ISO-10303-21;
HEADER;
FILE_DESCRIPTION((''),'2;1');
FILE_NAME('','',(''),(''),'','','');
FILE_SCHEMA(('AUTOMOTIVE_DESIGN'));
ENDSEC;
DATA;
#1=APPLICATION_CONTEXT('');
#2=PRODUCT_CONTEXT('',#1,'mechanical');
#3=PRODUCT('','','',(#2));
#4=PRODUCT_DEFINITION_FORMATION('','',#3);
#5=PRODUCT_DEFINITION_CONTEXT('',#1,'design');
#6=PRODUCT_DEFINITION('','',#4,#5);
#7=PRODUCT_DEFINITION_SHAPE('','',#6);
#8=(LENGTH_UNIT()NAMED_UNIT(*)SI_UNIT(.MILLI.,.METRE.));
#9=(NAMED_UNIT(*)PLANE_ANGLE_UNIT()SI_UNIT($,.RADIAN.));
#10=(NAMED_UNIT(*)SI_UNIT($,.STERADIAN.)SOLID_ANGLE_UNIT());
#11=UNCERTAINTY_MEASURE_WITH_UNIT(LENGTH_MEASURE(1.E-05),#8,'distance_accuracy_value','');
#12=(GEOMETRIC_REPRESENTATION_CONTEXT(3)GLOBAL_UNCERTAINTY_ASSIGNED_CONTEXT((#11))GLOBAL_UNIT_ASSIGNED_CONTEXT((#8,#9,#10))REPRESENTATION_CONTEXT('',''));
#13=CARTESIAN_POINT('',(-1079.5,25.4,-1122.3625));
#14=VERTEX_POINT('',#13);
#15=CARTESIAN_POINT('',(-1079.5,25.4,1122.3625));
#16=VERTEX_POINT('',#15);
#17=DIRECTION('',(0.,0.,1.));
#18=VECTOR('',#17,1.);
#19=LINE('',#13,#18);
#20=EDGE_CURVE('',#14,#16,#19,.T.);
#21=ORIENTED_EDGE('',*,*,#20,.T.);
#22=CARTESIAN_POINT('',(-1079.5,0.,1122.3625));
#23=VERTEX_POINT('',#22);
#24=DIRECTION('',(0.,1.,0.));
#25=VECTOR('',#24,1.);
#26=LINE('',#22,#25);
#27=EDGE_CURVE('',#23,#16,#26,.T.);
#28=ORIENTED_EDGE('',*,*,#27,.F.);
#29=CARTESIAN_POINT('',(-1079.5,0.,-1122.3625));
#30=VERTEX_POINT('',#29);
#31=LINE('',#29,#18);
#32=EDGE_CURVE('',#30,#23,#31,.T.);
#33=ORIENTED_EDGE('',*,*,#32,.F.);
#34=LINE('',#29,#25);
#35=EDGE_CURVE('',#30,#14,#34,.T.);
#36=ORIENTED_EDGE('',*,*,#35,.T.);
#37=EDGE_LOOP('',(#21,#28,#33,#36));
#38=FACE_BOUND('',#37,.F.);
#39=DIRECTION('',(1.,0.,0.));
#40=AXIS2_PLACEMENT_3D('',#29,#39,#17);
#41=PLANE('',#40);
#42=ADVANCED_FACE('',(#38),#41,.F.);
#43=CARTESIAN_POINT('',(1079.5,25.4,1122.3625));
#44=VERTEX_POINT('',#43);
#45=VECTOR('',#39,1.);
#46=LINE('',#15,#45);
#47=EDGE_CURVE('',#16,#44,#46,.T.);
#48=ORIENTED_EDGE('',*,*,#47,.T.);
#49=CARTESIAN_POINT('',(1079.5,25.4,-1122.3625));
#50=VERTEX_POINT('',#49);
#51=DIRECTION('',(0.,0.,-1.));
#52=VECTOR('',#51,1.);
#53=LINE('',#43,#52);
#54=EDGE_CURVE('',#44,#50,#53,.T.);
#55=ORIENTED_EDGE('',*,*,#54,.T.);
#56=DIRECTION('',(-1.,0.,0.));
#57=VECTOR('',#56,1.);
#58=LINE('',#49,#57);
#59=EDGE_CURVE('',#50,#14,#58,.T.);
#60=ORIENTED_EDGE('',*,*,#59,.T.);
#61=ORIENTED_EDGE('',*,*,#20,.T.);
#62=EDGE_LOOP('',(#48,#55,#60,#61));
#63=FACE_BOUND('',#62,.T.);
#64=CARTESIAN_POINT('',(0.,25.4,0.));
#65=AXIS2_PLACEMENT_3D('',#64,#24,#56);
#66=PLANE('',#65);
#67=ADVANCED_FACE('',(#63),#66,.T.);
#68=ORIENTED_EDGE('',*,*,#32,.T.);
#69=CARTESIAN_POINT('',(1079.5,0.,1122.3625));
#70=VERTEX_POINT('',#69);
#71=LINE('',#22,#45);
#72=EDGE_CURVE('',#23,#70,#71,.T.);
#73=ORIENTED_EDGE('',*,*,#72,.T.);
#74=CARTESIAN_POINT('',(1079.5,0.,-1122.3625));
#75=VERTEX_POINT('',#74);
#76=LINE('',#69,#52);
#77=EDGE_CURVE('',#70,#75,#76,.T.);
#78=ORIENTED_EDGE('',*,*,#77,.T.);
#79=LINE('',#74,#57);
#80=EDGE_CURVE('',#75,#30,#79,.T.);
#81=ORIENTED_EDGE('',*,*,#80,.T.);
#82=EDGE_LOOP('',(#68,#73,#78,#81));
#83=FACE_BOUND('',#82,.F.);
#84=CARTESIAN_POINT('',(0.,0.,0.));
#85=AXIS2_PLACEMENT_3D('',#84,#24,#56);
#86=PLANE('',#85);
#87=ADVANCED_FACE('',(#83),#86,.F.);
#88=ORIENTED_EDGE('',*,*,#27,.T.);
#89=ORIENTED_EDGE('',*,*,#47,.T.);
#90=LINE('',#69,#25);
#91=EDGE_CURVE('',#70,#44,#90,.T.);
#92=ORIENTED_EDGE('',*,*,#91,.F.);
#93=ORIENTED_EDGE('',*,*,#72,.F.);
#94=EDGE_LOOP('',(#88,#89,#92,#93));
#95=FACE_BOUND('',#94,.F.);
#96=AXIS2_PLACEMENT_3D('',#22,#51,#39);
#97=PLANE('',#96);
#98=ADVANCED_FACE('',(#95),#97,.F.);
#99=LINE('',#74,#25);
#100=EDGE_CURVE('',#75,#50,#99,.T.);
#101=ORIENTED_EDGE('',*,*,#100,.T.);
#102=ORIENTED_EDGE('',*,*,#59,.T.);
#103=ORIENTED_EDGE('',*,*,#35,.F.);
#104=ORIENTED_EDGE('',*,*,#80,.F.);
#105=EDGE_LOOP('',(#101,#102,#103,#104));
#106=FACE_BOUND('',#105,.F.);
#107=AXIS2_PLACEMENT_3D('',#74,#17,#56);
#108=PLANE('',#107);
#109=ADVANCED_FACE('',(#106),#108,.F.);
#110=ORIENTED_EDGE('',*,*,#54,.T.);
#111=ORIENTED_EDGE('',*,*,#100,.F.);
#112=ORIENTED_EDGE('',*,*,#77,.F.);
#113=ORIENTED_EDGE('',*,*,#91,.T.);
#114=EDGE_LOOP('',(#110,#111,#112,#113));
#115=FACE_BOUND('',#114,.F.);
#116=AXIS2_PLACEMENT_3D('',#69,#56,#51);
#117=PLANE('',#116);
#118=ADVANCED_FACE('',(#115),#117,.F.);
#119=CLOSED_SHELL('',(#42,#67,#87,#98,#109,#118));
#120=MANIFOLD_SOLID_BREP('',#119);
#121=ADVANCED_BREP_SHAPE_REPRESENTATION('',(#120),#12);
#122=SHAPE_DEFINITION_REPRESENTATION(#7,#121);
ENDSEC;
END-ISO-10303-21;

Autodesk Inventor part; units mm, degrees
ref_plane "YZ Plane" through (0, 0, 0) normal (1, 0, 0) x (0, 1, 0)
ref_plane "XZ Plane" through (0, 0, 0) normal (0, 1, 0) x (-1, 0, 0)
ref_plane "XY Plane" through (0, 0, 0) normal (0, 0, 1) x (1, 0, 0)
sketch "Sketch1" plane through (0, 0, 0) normal (0, 1, 0) x (-1, 0, 0)
  line L0 (-1079.5, 1122.3625) -> (-1079.5, -1122.3625)
  line L1 (-1079.5, -1122.3625) -> (1079.5, -1122.3625)
  line L2 (1079.5, -1122.3625) -> (1079.5, 1122.3625)
  line L3 (1079.5, 1122.3625) -> (-1079.5, 1122.3625)
  line L4 (-1079.5, 1122.3625) -> (1079.5, -1122.3625) construction
  line L5 (-1079.5, -1122.3625) -> (1079.5, 1122.3625) construction
  line L6 (-1079.5, 1122.3625) -> (1165.225, 1122.3625) construction
  point P0 (0, 0)
  dimension "d0" = 2244.725
  dimension "d1" = 90
  dimension "d2" = 2159
extrude "Extrusion1" add sketch "Sketch1" along normal blind 25.4
properties part number "Roof" material "Polycarbonate, Smoke"
